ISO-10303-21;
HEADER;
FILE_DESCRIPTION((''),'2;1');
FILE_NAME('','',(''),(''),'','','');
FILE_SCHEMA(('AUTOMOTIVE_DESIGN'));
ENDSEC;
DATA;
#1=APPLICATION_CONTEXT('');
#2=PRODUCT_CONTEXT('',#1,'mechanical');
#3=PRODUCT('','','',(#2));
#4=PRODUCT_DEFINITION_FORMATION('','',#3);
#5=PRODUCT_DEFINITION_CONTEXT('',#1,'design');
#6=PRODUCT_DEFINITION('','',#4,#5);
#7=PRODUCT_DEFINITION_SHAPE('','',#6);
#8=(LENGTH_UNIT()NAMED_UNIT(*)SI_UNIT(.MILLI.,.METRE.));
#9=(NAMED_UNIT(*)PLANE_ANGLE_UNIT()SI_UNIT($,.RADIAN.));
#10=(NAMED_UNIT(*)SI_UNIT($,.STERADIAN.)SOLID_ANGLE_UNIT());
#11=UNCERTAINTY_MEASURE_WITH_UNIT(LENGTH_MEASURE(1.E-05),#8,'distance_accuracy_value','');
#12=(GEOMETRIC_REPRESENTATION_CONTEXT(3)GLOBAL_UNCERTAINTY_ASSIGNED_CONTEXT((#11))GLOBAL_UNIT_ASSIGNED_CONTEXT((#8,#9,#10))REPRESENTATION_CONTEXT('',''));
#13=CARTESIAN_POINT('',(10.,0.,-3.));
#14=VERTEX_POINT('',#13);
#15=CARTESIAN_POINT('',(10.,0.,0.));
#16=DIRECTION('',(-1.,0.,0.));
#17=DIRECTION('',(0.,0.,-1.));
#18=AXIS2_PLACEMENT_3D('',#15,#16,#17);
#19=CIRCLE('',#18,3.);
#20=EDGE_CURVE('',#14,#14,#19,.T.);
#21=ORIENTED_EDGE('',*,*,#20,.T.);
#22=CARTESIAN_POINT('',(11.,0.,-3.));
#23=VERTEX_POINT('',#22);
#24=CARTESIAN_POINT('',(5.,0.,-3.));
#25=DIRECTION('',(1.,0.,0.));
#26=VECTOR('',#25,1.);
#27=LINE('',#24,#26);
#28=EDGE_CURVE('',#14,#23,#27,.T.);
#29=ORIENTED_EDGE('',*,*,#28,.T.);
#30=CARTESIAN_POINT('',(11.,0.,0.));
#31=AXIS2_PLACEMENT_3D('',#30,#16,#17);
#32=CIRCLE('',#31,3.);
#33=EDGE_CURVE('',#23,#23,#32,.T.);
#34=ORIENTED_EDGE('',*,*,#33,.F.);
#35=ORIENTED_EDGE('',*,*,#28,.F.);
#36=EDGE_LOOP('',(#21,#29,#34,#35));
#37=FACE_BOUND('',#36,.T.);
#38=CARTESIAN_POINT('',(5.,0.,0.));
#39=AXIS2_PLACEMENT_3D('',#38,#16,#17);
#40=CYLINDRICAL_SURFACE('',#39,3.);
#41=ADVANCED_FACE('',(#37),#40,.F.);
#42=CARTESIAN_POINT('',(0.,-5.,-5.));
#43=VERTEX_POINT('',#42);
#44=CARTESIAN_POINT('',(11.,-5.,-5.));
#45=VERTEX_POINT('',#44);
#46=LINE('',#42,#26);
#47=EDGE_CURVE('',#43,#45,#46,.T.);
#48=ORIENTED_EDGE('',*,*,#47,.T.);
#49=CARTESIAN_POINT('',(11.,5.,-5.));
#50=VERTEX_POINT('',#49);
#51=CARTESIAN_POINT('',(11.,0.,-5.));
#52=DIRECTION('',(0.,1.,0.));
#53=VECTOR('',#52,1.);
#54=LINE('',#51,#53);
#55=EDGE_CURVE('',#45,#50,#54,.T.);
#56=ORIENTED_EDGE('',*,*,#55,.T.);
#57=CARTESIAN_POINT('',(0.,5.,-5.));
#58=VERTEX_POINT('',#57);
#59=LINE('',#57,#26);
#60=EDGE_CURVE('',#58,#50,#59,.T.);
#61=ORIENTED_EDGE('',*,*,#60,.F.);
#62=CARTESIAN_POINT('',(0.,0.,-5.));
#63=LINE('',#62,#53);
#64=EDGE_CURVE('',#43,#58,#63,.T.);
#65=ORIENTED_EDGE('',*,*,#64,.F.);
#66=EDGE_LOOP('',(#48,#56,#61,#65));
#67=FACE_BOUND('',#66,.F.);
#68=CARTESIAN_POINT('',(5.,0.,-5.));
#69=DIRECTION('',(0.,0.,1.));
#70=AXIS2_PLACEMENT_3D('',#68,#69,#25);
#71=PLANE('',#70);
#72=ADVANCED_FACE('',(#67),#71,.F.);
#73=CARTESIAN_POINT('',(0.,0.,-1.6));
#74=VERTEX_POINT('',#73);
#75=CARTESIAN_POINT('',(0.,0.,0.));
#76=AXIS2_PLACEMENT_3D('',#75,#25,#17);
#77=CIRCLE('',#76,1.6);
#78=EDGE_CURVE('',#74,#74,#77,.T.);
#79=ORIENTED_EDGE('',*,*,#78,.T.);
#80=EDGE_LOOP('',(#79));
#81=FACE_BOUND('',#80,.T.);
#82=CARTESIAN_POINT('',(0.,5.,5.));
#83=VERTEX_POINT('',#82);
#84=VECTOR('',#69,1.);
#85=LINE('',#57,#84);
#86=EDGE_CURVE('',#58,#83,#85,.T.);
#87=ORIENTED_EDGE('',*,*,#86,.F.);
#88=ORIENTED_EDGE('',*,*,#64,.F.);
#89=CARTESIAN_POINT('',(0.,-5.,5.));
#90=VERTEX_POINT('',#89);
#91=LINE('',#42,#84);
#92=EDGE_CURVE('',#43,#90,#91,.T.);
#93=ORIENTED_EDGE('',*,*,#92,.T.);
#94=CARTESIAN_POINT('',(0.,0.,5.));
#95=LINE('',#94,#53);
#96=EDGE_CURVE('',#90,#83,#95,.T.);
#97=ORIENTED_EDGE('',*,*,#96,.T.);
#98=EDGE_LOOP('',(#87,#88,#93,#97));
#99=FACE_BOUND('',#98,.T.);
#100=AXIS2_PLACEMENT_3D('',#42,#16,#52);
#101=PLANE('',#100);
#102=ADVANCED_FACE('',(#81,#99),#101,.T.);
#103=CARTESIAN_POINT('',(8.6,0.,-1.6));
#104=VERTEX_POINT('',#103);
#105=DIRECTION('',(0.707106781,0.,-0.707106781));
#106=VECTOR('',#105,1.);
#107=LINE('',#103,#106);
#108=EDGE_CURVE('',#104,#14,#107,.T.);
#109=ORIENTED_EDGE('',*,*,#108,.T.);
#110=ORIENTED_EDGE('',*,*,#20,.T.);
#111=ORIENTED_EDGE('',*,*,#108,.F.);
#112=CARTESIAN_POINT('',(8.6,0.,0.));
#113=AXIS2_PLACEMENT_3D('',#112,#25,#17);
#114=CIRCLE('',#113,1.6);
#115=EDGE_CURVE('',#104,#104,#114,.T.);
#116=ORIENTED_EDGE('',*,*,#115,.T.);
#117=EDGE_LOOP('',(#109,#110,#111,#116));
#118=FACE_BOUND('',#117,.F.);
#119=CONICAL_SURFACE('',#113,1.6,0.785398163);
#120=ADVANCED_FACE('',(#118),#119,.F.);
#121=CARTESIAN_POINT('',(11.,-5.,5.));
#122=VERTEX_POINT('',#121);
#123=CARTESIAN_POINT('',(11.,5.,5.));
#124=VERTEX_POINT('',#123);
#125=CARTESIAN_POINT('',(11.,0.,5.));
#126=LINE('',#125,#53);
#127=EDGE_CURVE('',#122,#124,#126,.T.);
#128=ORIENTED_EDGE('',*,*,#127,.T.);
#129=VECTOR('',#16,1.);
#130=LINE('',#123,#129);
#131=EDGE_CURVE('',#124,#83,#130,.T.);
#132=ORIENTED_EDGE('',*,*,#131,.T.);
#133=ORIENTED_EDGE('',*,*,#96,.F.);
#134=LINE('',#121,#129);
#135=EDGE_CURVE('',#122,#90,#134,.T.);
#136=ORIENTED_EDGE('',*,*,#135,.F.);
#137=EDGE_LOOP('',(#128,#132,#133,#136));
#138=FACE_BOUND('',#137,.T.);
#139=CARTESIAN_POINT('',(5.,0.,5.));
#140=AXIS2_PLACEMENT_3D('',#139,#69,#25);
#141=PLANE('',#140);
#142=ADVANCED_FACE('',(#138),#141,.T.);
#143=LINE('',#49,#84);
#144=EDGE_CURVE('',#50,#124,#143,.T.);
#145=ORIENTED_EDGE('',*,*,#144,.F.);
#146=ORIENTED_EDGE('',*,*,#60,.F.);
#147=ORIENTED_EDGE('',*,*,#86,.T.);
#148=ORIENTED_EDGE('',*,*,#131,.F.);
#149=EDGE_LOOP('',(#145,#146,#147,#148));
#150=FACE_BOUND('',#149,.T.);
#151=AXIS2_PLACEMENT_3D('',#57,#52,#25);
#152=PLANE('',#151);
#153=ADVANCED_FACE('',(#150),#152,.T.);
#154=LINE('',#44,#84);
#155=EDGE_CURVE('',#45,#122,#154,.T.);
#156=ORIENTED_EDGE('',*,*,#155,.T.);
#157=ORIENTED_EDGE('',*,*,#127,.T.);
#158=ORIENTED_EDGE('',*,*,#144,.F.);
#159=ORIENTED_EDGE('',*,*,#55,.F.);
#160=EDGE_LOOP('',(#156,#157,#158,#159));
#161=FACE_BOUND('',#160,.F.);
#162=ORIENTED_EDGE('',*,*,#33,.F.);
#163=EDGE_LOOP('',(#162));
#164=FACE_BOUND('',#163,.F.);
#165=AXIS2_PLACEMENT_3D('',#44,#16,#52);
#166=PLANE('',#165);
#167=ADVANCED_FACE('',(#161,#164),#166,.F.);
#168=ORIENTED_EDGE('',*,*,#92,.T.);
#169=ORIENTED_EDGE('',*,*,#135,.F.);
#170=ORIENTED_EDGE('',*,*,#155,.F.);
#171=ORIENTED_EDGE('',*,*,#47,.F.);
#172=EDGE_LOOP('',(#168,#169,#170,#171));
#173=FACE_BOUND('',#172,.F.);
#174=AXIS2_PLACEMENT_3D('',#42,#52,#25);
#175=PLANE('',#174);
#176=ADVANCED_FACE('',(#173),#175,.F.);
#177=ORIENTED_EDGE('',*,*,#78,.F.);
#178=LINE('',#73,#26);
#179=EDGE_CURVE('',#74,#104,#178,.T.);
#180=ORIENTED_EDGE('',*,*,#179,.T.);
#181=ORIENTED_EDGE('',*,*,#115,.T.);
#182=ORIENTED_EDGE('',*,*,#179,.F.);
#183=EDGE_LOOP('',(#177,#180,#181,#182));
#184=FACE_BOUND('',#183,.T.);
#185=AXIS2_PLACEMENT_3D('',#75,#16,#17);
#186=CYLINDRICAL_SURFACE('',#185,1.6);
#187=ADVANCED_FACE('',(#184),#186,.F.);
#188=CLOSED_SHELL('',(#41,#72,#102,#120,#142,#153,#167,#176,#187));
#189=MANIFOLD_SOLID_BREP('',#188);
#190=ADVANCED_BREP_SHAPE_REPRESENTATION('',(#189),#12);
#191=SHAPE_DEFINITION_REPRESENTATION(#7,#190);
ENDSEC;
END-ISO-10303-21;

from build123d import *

# Parameters (mm, degrees)
CYLINDER006_R            = 1.6
CYLINDER006_DEPTH        = 10
BOX013_W                 = 10
BOX013_H                 = 10
BOX013_DEPTH             = 10
CHAMFER001004001004_SIZE = 1.4
CYLINDER007_R            = 3
CYLINDER007_DEPTH        = 10
BOX014_W                 = 1
BOX014_H                 = 10
BOX014_DEPTH             = 10


with BuildPart() as cylinder006:
    # Cylinder006 → Cylinder006 (new body)
    with BuildSketch(Plane(origin=(0, 0, 0), x_dir=(0, 0, -1), z_dir=(1, 0, 0))):
        Circle(CYLINDER006_R)
    extrude(amount=CYLINDER006_DEPTH)


with BuildPart() as chamfer001004001004:
    # Box013 → Box013 (new body)
    with BuildSketch(Plane(origin=(0, -5, -5), x_dir=(1, 0, 0), z_dir=(0, 0, 1))):
        with Locations((5, 5)):
            Rectangle(BOX013_W, BOX013_H)
    extrude(amount=BOX013_DEPTH)

    # Cut002003002: cut Cylinder006
    add(cylinder006.part, mode=Mode.SUBTRACT)

    # Chamfer001004001004
    chamfer001004001004_edges = [chamfer001004001004.edges().sort_by_distance(p)[0] for p in [
        (10, 0, 1.6),
    ]]
    chamfer(chamfer001004001004_edges, length=CHAMFER001004001004_SIZE)


with BuildPart() as cylinder007:
    # Cylinder007 → Cylinder007 (new body)
    with BuildSketch(Plane(origin=(5, 0, 0), x_dir=(0, 0, -1), z_dir=(1, 0, 0))):
        Circle(CYLINDER007_R)
    extrude(amount=CYLINDER007_DEPTH)


with BuildPart() as fusion004:
    # Box014 → Box014 (new body)
    with BuildSketch(Plane(origin=(10, -5, -5), x_dir=(1, 0, 0), z_dir=(0, 0, 1))):
        with Locations((0.5, 5)):
            Rectangle(BOX014_W, BOX014_H)
    extrude(amount=BOX014_DEPTH)

    # Cut002003003: cut Cylinder007
    add(cylinder007.part, mode=Mode.SUBTRACT)

    # Fusion004: union Chamfer001004001004
    add(chamfer001004001004.part)


solid = fusion004.part
